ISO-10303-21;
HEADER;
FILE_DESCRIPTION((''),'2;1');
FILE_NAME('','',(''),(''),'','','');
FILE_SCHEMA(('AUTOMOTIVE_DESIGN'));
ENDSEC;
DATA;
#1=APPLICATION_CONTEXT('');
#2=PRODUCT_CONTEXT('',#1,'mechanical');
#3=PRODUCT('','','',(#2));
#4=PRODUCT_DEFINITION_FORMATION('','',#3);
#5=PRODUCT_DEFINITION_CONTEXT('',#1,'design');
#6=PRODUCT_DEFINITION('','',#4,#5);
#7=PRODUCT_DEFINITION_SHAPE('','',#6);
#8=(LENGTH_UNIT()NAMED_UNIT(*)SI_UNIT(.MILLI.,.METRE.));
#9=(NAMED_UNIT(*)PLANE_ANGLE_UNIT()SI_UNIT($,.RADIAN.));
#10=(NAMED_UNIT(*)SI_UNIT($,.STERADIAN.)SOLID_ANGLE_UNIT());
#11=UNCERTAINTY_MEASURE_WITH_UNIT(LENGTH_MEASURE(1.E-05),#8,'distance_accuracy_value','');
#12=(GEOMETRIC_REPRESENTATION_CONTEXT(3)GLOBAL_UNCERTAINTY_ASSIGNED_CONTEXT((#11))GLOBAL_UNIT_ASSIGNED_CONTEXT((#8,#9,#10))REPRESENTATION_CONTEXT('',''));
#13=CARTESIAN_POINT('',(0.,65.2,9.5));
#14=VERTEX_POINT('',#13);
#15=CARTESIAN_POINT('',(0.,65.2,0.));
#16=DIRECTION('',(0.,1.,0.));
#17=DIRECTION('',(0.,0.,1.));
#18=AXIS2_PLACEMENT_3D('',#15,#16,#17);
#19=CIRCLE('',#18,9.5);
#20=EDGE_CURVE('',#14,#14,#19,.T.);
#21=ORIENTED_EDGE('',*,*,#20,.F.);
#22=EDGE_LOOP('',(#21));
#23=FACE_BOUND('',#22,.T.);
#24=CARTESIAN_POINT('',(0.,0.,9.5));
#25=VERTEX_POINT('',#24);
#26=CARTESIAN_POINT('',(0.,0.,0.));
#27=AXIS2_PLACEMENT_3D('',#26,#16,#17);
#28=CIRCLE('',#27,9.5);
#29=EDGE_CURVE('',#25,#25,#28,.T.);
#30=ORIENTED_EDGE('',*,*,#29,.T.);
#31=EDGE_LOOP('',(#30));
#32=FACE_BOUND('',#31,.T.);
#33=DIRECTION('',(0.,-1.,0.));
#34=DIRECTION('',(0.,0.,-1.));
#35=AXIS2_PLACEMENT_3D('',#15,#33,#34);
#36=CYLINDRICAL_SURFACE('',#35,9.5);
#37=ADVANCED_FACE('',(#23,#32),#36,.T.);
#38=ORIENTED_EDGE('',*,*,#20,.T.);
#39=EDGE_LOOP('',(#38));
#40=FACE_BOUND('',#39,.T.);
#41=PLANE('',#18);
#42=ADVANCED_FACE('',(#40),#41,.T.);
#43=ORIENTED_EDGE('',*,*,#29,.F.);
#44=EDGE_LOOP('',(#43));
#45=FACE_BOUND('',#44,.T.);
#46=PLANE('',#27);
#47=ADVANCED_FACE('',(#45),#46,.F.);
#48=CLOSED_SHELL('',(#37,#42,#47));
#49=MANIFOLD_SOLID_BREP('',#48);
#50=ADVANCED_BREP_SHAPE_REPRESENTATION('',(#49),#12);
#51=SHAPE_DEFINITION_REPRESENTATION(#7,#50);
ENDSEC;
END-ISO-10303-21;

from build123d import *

# Parameters (mm, degrees)
ESBO_O1_R                = 9.5
RESSALTO_EXTRUS_O1_DEPTH = 65.2


with BuildPart() as part:
    # Esboço1 → Ressalto-extrusão1 (new body)
    with BuildSketch(Plane(origin=(0, 0, 0), x_dir=(1, 0, 0), z_dir=(0, 1, 0))):
        with Locations(Location((0, 0, 0), (0, 0, 270))):
            Circle(ESBO_O1_R)
    extrude(amount=RESSALTO_EXTRUS_O1_DEPTH)


solid = part.part
